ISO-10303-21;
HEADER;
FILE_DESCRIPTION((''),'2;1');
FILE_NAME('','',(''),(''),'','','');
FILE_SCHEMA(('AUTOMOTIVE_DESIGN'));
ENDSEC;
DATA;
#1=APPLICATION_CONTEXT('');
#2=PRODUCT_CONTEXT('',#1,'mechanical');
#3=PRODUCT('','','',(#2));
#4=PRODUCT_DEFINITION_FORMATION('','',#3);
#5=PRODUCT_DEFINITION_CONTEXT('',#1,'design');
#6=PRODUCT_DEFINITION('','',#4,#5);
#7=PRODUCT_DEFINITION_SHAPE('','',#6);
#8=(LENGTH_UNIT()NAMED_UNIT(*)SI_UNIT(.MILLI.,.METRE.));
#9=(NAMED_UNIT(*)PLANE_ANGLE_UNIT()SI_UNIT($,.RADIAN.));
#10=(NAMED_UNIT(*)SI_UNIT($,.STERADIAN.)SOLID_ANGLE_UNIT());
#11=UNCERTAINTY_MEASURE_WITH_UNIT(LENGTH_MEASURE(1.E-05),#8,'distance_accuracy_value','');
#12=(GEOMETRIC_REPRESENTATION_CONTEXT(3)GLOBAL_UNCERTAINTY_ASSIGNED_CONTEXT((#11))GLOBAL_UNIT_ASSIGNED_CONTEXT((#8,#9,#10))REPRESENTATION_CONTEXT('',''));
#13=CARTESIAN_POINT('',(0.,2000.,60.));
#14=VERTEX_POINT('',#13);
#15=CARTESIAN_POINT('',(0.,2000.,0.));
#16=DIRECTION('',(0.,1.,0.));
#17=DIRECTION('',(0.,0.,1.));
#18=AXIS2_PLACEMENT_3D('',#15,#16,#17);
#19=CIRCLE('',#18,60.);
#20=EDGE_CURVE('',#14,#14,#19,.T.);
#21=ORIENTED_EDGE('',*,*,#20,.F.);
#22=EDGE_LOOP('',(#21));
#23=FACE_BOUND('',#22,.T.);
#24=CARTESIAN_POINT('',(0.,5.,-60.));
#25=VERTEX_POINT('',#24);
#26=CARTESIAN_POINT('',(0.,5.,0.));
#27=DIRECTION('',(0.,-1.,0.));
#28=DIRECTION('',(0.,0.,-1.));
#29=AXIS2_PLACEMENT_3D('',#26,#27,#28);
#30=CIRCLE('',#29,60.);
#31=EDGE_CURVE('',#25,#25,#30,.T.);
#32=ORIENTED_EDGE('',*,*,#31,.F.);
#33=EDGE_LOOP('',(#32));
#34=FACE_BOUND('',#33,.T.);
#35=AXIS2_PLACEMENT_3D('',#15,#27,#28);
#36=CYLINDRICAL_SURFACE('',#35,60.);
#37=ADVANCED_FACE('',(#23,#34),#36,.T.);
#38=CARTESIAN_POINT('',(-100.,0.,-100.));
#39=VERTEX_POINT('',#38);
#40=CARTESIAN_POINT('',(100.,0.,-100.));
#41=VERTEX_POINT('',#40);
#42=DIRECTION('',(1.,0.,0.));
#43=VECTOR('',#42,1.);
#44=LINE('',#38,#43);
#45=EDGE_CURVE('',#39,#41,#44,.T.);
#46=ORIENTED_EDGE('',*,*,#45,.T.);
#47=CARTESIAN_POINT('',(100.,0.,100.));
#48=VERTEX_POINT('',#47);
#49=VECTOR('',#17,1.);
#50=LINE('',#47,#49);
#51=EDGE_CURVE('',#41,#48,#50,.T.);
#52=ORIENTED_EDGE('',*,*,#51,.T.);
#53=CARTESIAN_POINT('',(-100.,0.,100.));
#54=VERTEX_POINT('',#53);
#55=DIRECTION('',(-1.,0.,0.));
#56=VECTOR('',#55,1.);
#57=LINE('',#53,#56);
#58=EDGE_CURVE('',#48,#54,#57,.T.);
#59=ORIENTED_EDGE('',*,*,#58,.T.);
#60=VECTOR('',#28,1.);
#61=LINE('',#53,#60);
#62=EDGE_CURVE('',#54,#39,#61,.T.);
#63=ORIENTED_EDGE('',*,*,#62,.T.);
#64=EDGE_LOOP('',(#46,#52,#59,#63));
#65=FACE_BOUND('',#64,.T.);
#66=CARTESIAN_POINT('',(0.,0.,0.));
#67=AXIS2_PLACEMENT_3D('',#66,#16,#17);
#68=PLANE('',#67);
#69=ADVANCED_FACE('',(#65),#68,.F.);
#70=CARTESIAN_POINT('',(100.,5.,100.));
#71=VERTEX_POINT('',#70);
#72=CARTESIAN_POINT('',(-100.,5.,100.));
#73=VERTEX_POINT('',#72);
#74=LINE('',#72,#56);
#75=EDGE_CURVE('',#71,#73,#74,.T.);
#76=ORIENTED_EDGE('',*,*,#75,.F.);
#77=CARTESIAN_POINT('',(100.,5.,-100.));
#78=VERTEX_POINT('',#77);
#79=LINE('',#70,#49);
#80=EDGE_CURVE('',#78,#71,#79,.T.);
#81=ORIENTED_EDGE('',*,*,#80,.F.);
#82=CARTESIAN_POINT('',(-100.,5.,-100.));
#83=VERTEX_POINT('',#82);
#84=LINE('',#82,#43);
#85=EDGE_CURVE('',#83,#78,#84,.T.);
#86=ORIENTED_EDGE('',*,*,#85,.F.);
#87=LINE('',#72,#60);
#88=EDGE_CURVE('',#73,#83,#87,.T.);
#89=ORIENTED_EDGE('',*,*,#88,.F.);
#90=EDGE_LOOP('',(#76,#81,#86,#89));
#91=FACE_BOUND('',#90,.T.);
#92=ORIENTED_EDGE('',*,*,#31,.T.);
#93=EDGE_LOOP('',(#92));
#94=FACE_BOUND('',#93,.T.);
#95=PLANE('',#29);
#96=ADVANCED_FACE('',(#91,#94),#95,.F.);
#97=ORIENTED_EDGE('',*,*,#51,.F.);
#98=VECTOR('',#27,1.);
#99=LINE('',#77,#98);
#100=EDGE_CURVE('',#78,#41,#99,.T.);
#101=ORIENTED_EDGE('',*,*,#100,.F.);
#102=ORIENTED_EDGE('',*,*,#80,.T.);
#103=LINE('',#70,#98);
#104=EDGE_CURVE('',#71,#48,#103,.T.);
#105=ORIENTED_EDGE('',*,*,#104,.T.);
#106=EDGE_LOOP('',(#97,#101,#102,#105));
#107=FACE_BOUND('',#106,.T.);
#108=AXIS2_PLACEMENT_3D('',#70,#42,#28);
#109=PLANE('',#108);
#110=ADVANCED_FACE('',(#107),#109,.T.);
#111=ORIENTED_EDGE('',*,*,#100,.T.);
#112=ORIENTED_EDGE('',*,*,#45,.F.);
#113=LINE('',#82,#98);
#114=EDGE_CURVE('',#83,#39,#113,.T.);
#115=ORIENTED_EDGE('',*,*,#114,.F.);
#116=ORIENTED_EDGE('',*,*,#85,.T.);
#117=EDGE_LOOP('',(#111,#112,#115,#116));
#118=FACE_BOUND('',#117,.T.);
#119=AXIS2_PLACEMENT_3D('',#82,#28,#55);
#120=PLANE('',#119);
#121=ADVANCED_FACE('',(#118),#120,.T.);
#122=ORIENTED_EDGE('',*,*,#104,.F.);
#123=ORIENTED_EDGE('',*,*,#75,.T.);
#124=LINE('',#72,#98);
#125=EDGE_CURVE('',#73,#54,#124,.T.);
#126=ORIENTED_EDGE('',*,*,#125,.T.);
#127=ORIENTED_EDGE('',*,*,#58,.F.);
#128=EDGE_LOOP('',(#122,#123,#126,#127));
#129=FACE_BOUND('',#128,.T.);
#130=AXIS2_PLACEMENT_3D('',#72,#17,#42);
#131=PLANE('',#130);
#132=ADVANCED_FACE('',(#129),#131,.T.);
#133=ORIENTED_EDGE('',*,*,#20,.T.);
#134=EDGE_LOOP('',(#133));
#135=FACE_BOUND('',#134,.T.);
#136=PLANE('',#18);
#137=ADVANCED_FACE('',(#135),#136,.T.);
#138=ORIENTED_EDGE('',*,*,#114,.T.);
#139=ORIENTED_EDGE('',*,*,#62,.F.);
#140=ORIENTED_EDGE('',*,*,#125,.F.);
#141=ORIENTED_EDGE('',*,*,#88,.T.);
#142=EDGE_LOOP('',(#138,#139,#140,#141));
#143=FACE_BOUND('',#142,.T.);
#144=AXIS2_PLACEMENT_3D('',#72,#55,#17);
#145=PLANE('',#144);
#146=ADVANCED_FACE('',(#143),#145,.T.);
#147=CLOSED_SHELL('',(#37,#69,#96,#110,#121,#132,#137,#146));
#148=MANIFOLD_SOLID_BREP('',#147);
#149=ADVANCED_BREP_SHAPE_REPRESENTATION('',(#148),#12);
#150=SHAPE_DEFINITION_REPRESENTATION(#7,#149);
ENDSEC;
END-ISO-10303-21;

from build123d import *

# Parameters (mm, degrees)
SKETCH_1_R      = 60
EXTRUDE_1_DEPTH = 2000
SKETCH_2_W      = 200
SKETCH_2_H      = 200
EXTRUDE_2_DEPTH = 5


with BuildPart() as part:
    # 草圖1 → 填料-伸長1 (new body)
    with BuildSketch(Plane(origin=(0, 0, 0), x_dir=(1, 0, 0), z_dir=(0, 1, 0))):
        Circle(SKETCH_1_R)
    extrude(amount=EXTRUDE_1_DEPTH)

    # 草圖2 → 填料-伸長2 (add)
    with BuildSketch(Plane.XZ):
        Rectangle(SKETCH_2_W, SKETCH_2_H)
    extrude(amount=-EXTRUDE_2_DEPTH)


solid = part.part
